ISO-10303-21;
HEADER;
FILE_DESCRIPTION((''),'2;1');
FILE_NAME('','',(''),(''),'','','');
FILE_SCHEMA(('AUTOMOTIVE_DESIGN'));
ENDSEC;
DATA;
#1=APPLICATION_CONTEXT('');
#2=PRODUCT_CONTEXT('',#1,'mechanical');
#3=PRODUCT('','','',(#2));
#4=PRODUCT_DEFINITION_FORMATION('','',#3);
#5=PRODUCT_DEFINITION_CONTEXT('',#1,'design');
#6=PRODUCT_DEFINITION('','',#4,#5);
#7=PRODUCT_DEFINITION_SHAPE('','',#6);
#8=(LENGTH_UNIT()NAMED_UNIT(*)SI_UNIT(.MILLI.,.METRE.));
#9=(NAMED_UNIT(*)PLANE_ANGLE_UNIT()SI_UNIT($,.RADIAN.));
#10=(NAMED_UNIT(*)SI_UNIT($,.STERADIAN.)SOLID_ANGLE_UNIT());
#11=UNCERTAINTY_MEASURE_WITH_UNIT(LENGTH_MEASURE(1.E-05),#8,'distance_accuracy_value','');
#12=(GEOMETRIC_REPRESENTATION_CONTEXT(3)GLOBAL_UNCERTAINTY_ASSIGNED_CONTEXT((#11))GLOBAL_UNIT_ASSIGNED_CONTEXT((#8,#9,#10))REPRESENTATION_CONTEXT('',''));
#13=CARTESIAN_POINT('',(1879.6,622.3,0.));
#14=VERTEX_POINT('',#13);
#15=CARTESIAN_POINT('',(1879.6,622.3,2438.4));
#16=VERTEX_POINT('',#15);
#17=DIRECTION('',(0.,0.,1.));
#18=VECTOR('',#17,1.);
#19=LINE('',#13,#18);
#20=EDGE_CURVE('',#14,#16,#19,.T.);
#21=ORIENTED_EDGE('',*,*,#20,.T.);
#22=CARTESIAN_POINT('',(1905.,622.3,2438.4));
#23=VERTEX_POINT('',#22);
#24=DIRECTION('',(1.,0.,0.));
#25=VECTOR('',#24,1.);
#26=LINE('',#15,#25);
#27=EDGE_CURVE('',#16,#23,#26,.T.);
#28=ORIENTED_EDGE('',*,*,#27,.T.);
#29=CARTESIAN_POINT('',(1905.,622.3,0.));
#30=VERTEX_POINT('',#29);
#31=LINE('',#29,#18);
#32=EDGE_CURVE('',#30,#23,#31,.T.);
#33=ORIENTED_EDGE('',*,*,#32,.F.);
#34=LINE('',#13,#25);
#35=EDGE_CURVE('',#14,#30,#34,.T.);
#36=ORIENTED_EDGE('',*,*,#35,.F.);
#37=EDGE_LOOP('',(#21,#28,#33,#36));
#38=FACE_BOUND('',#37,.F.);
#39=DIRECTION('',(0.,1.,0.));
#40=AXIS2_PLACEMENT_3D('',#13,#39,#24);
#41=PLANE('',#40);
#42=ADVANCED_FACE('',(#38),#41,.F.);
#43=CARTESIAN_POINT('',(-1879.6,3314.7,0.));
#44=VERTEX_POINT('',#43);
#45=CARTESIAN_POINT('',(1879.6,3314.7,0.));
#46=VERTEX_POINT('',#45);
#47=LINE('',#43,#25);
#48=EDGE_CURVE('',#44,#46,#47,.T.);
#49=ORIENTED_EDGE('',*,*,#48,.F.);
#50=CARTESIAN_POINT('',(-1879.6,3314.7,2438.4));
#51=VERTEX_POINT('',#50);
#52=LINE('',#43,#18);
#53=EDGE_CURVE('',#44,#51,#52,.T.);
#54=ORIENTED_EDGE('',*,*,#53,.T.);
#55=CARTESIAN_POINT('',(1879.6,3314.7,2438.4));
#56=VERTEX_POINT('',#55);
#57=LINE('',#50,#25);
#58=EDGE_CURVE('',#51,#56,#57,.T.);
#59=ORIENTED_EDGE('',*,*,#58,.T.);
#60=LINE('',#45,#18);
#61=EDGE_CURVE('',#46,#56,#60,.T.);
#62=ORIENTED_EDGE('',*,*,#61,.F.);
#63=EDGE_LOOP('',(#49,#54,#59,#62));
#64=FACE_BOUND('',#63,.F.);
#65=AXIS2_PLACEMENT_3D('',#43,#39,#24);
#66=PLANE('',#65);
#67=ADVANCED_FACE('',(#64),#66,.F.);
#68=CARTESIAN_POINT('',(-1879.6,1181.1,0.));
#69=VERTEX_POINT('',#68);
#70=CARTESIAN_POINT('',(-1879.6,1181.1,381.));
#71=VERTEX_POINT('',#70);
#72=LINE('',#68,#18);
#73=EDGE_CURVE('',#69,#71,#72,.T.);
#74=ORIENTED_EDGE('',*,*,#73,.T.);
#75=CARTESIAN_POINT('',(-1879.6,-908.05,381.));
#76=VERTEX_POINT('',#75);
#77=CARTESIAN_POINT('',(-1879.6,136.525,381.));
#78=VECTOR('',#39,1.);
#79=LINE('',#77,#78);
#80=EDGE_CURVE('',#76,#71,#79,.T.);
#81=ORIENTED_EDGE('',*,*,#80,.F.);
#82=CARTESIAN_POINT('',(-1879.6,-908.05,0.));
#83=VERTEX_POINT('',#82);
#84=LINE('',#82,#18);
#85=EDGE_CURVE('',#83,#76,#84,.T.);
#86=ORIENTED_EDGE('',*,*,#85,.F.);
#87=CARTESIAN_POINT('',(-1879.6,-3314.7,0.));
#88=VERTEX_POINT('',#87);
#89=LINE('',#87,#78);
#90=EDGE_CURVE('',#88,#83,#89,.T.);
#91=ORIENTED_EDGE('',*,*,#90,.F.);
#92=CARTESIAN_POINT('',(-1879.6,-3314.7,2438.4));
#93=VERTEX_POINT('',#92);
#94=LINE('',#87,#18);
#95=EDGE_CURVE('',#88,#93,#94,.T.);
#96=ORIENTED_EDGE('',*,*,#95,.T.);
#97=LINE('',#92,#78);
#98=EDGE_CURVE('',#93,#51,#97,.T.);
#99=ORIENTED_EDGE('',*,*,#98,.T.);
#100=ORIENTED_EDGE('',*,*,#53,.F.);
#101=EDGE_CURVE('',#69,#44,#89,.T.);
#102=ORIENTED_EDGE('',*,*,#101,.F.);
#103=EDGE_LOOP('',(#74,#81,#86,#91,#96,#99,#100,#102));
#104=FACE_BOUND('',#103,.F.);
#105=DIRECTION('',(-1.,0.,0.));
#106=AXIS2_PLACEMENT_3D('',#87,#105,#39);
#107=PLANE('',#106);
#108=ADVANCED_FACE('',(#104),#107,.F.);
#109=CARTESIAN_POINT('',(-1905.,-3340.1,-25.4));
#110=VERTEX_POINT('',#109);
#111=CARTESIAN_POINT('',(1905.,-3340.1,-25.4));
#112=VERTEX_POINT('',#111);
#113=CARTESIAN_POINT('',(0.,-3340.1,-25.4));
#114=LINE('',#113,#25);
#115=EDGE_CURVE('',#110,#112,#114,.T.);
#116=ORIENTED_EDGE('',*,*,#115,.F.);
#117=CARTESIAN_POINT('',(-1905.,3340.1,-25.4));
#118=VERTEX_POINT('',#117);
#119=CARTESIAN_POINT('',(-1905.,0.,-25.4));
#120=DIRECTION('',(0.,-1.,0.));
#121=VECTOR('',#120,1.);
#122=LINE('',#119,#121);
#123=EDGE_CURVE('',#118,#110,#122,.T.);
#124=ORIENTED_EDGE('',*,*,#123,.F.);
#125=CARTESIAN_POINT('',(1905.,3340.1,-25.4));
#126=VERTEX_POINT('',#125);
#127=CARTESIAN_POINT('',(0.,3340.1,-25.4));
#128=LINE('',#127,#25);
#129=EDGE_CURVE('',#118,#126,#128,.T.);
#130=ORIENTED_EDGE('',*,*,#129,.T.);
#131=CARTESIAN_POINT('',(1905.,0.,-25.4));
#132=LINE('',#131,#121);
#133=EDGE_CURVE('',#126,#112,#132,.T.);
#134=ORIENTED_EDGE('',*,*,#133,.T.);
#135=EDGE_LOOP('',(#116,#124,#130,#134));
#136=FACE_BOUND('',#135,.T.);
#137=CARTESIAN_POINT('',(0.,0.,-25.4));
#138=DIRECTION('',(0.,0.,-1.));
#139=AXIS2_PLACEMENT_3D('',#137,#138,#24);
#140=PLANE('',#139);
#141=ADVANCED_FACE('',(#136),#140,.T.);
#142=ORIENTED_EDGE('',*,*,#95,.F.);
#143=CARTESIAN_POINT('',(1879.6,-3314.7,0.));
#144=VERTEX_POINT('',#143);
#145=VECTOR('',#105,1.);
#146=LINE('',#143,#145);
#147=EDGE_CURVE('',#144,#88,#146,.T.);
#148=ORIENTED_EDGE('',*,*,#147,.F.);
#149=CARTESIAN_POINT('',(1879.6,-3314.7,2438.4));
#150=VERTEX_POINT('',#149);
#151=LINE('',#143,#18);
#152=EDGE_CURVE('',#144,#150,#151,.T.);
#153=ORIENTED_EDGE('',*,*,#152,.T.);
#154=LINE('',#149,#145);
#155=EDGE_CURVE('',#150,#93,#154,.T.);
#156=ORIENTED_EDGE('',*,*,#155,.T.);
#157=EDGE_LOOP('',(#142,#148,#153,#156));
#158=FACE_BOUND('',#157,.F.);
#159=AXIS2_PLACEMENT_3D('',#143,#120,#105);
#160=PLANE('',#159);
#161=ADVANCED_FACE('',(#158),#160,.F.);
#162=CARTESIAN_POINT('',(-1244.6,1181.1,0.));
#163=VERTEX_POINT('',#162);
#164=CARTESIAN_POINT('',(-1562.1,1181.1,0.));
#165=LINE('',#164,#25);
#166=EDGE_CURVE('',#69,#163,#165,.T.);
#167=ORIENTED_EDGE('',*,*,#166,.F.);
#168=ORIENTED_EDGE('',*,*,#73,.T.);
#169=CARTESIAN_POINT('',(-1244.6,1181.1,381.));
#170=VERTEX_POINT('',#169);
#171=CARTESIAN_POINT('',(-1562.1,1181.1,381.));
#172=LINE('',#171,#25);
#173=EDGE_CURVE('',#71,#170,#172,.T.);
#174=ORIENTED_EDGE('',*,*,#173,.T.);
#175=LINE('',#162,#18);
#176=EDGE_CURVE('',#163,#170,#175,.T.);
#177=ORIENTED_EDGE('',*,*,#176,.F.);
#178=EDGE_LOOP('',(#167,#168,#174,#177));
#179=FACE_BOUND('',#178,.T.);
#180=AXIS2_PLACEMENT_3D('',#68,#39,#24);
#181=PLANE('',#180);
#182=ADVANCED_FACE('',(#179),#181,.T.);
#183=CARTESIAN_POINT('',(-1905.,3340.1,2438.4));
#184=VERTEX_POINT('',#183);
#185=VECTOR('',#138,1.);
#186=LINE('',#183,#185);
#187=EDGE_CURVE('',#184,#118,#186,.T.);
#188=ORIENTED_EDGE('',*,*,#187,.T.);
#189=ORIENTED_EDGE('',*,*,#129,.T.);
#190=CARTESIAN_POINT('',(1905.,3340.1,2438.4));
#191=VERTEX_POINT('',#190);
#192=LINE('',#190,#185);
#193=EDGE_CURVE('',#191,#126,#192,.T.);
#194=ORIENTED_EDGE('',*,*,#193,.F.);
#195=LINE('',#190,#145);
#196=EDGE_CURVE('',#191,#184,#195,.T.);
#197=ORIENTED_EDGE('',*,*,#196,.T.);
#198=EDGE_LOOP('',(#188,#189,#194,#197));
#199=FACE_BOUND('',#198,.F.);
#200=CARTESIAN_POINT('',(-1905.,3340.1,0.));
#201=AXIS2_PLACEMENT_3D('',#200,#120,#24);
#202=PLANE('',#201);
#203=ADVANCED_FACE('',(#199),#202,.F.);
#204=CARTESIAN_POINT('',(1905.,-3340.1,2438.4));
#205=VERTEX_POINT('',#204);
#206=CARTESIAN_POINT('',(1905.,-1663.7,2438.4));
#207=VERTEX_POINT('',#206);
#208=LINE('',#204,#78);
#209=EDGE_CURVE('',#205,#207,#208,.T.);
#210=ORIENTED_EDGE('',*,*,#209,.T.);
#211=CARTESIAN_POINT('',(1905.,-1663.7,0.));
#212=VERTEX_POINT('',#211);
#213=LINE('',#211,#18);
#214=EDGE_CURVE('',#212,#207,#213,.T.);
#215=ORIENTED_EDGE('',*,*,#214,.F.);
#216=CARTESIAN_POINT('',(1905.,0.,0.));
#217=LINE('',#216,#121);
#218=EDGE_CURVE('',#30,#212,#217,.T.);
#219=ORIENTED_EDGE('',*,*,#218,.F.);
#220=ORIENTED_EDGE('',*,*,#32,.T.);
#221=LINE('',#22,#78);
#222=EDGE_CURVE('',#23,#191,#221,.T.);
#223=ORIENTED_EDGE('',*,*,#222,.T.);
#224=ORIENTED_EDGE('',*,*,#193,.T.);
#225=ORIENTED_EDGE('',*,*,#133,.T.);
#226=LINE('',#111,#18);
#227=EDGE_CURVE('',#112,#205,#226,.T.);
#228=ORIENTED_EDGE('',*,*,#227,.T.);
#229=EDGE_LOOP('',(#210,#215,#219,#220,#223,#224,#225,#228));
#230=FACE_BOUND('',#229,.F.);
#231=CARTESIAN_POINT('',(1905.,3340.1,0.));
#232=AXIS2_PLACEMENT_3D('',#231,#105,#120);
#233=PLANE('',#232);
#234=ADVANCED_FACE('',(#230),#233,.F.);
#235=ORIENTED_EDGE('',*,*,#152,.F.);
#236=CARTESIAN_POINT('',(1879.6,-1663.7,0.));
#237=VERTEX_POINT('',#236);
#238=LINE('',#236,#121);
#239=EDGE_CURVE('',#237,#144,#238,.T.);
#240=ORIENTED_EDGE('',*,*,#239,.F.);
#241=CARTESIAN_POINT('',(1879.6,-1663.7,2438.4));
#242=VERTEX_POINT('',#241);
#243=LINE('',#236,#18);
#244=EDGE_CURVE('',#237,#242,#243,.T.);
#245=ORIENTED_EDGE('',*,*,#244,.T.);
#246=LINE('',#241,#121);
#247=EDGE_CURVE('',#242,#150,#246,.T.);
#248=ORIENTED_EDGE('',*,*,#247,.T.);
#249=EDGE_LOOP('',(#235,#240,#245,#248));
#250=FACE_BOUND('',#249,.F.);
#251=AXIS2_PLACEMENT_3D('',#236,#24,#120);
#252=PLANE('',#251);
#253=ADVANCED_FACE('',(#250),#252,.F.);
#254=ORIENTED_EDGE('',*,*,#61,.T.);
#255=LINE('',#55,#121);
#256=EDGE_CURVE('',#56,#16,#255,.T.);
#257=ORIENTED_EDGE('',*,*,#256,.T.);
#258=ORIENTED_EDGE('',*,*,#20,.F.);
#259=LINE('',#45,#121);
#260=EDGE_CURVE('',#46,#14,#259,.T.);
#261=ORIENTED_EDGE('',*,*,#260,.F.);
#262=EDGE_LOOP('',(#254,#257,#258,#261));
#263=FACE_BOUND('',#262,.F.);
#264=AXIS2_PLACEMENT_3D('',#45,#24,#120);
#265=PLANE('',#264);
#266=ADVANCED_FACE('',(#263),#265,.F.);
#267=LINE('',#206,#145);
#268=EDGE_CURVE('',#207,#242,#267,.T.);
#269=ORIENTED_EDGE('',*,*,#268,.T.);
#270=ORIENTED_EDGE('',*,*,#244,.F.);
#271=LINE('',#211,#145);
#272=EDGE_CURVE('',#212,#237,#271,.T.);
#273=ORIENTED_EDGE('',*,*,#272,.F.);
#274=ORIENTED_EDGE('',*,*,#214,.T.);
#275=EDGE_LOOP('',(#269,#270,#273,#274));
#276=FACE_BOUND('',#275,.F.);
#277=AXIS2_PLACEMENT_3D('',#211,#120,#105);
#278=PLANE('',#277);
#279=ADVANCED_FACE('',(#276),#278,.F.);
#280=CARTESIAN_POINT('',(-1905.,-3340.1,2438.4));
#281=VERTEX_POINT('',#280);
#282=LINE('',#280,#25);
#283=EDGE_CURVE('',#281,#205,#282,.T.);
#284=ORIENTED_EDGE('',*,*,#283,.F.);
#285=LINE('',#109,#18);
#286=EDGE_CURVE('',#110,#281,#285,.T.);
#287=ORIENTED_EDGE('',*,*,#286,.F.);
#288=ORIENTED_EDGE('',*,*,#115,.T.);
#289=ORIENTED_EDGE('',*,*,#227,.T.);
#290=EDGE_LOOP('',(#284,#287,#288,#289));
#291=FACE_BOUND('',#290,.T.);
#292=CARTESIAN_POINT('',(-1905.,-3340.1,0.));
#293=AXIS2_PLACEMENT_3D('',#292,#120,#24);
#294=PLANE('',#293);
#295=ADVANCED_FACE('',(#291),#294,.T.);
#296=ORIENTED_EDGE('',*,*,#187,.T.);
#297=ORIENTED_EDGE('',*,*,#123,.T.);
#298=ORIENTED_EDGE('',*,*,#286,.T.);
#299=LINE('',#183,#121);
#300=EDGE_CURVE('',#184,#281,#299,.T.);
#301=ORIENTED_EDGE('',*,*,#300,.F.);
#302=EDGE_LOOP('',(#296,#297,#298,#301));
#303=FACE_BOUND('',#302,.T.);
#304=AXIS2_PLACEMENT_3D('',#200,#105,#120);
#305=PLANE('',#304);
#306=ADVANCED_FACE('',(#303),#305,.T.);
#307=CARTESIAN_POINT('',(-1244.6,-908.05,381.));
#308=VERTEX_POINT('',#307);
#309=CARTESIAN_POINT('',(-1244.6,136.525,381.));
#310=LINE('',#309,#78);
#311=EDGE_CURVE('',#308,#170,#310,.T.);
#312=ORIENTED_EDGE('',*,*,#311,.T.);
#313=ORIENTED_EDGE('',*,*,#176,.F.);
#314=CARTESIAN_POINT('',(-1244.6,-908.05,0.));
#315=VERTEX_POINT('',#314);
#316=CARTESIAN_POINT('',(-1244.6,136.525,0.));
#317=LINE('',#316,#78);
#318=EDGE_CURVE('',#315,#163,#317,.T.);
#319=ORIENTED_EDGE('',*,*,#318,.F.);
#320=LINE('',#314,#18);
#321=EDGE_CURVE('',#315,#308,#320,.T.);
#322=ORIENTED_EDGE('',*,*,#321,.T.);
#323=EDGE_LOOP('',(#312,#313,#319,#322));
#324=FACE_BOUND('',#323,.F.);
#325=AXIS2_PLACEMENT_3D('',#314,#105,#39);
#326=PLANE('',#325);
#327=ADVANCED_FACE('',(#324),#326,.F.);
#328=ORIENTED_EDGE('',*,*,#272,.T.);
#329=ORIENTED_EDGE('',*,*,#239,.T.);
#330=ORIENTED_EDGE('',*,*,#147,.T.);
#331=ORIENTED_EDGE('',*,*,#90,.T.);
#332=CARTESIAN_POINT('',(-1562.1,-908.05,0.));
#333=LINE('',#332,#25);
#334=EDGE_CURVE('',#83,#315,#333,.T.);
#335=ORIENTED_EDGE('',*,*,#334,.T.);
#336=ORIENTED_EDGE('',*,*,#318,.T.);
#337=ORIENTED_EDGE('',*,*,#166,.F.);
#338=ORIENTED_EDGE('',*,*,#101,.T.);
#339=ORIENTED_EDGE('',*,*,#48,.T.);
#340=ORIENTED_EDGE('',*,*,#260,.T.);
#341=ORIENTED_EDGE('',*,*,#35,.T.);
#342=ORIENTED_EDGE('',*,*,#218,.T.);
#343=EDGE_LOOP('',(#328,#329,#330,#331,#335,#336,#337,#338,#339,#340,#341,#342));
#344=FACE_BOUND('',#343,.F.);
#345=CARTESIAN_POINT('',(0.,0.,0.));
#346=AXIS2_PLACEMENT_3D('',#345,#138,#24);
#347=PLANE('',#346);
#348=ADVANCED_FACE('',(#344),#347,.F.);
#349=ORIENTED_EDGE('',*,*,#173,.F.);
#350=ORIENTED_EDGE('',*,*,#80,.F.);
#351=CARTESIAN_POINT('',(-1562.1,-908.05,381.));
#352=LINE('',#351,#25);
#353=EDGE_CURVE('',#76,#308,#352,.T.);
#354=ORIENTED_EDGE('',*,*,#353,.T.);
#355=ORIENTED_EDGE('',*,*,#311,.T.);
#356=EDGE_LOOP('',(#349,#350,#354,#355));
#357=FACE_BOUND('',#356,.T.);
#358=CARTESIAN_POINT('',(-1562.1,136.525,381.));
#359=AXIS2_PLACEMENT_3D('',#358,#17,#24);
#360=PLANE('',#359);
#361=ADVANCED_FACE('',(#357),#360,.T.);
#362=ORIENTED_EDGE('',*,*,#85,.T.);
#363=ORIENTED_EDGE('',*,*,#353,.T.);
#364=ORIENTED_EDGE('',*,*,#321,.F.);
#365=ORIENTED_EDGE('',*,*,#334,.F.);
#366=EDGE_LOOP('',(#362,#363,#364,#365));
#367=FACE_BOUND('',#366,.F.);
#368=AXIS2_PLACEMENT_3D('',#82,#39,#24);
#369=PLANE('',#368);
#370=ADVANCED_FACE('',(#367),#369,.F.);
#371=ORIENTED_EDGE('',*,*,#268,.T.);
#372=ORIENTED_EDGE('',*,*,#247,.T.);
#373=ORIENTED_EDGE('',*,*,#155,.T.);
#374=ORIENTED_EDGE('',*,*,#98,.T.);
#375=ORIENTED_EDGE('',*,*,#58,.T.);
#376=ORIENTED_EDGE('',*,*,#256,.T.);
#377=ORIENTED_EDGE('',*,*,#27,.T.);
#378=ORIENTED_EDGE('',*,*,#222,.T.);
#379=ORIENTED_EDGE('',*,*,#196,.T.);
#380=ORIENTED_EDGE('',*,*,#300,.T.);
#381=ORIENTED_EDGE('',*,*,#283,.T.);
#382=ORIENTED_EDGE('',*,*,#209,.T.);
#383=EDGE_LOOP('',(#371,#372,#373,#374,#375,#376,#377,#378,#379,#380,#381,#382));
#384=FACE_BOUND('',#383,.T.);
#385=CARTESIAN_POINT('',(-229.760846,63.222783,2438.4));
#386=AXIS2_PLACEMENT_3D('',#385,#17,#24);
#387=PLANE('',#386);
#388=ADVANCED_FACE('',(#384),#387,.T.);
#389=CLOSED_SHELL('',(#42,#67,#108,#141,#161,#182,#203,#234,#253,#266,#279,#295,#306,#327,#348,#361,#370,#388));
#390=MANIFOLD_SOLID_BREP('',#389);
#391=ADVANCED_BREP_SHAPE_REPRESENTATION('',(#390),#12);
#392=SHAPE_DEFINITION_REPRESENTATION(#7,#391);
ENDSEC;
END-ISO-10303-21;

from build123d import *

# Parameters (mm, degrees)
F1_DEPTH = 2438.4
F2_W     = 3810
F2_H     = 6680.2
F3_DEPTH = 25.4
F4_W     = 635
F4_H     = 2089.15
F5_DEPTH = 381


with BuildPart() as f1:
    # F0 (on Top) → F1 (new body)
    with BuildSketch(Plane.XY):
        Polygon((1905, 3340.1), (-1905, 3340.1), (-1905, -3340.1), (1905, -3340.1), (1905, -1663.7), (1879.6, -1663.7), (1879.6, -3314.7), (-1879.6, -3314.7), (-1879.6, 3314.7), (1879.6, 3314.7), (1879.6, 622.3), (1905, 622.3), align=None)
    extrude(amount=F1_DEPTH)

    # F2 (on face) → F3 (join)
    with BuildSketch(Plane(origin=(0, 0, 0), x_dir=(1, 0, 0), z_dir=(0, 0, -1))):
        Rectangle(F2_W, F2_H)
    extrude(amount=F3_DEPTH)

    # F4 (on face) → F5 (join)
    with BuildSketch(Plane.XY):
        with Locations((-1562.1, 136.525)):
            Rectangle(F4_W, F4_H)
    extrude(amount=F5_DEPTH)


solid = f1.part
